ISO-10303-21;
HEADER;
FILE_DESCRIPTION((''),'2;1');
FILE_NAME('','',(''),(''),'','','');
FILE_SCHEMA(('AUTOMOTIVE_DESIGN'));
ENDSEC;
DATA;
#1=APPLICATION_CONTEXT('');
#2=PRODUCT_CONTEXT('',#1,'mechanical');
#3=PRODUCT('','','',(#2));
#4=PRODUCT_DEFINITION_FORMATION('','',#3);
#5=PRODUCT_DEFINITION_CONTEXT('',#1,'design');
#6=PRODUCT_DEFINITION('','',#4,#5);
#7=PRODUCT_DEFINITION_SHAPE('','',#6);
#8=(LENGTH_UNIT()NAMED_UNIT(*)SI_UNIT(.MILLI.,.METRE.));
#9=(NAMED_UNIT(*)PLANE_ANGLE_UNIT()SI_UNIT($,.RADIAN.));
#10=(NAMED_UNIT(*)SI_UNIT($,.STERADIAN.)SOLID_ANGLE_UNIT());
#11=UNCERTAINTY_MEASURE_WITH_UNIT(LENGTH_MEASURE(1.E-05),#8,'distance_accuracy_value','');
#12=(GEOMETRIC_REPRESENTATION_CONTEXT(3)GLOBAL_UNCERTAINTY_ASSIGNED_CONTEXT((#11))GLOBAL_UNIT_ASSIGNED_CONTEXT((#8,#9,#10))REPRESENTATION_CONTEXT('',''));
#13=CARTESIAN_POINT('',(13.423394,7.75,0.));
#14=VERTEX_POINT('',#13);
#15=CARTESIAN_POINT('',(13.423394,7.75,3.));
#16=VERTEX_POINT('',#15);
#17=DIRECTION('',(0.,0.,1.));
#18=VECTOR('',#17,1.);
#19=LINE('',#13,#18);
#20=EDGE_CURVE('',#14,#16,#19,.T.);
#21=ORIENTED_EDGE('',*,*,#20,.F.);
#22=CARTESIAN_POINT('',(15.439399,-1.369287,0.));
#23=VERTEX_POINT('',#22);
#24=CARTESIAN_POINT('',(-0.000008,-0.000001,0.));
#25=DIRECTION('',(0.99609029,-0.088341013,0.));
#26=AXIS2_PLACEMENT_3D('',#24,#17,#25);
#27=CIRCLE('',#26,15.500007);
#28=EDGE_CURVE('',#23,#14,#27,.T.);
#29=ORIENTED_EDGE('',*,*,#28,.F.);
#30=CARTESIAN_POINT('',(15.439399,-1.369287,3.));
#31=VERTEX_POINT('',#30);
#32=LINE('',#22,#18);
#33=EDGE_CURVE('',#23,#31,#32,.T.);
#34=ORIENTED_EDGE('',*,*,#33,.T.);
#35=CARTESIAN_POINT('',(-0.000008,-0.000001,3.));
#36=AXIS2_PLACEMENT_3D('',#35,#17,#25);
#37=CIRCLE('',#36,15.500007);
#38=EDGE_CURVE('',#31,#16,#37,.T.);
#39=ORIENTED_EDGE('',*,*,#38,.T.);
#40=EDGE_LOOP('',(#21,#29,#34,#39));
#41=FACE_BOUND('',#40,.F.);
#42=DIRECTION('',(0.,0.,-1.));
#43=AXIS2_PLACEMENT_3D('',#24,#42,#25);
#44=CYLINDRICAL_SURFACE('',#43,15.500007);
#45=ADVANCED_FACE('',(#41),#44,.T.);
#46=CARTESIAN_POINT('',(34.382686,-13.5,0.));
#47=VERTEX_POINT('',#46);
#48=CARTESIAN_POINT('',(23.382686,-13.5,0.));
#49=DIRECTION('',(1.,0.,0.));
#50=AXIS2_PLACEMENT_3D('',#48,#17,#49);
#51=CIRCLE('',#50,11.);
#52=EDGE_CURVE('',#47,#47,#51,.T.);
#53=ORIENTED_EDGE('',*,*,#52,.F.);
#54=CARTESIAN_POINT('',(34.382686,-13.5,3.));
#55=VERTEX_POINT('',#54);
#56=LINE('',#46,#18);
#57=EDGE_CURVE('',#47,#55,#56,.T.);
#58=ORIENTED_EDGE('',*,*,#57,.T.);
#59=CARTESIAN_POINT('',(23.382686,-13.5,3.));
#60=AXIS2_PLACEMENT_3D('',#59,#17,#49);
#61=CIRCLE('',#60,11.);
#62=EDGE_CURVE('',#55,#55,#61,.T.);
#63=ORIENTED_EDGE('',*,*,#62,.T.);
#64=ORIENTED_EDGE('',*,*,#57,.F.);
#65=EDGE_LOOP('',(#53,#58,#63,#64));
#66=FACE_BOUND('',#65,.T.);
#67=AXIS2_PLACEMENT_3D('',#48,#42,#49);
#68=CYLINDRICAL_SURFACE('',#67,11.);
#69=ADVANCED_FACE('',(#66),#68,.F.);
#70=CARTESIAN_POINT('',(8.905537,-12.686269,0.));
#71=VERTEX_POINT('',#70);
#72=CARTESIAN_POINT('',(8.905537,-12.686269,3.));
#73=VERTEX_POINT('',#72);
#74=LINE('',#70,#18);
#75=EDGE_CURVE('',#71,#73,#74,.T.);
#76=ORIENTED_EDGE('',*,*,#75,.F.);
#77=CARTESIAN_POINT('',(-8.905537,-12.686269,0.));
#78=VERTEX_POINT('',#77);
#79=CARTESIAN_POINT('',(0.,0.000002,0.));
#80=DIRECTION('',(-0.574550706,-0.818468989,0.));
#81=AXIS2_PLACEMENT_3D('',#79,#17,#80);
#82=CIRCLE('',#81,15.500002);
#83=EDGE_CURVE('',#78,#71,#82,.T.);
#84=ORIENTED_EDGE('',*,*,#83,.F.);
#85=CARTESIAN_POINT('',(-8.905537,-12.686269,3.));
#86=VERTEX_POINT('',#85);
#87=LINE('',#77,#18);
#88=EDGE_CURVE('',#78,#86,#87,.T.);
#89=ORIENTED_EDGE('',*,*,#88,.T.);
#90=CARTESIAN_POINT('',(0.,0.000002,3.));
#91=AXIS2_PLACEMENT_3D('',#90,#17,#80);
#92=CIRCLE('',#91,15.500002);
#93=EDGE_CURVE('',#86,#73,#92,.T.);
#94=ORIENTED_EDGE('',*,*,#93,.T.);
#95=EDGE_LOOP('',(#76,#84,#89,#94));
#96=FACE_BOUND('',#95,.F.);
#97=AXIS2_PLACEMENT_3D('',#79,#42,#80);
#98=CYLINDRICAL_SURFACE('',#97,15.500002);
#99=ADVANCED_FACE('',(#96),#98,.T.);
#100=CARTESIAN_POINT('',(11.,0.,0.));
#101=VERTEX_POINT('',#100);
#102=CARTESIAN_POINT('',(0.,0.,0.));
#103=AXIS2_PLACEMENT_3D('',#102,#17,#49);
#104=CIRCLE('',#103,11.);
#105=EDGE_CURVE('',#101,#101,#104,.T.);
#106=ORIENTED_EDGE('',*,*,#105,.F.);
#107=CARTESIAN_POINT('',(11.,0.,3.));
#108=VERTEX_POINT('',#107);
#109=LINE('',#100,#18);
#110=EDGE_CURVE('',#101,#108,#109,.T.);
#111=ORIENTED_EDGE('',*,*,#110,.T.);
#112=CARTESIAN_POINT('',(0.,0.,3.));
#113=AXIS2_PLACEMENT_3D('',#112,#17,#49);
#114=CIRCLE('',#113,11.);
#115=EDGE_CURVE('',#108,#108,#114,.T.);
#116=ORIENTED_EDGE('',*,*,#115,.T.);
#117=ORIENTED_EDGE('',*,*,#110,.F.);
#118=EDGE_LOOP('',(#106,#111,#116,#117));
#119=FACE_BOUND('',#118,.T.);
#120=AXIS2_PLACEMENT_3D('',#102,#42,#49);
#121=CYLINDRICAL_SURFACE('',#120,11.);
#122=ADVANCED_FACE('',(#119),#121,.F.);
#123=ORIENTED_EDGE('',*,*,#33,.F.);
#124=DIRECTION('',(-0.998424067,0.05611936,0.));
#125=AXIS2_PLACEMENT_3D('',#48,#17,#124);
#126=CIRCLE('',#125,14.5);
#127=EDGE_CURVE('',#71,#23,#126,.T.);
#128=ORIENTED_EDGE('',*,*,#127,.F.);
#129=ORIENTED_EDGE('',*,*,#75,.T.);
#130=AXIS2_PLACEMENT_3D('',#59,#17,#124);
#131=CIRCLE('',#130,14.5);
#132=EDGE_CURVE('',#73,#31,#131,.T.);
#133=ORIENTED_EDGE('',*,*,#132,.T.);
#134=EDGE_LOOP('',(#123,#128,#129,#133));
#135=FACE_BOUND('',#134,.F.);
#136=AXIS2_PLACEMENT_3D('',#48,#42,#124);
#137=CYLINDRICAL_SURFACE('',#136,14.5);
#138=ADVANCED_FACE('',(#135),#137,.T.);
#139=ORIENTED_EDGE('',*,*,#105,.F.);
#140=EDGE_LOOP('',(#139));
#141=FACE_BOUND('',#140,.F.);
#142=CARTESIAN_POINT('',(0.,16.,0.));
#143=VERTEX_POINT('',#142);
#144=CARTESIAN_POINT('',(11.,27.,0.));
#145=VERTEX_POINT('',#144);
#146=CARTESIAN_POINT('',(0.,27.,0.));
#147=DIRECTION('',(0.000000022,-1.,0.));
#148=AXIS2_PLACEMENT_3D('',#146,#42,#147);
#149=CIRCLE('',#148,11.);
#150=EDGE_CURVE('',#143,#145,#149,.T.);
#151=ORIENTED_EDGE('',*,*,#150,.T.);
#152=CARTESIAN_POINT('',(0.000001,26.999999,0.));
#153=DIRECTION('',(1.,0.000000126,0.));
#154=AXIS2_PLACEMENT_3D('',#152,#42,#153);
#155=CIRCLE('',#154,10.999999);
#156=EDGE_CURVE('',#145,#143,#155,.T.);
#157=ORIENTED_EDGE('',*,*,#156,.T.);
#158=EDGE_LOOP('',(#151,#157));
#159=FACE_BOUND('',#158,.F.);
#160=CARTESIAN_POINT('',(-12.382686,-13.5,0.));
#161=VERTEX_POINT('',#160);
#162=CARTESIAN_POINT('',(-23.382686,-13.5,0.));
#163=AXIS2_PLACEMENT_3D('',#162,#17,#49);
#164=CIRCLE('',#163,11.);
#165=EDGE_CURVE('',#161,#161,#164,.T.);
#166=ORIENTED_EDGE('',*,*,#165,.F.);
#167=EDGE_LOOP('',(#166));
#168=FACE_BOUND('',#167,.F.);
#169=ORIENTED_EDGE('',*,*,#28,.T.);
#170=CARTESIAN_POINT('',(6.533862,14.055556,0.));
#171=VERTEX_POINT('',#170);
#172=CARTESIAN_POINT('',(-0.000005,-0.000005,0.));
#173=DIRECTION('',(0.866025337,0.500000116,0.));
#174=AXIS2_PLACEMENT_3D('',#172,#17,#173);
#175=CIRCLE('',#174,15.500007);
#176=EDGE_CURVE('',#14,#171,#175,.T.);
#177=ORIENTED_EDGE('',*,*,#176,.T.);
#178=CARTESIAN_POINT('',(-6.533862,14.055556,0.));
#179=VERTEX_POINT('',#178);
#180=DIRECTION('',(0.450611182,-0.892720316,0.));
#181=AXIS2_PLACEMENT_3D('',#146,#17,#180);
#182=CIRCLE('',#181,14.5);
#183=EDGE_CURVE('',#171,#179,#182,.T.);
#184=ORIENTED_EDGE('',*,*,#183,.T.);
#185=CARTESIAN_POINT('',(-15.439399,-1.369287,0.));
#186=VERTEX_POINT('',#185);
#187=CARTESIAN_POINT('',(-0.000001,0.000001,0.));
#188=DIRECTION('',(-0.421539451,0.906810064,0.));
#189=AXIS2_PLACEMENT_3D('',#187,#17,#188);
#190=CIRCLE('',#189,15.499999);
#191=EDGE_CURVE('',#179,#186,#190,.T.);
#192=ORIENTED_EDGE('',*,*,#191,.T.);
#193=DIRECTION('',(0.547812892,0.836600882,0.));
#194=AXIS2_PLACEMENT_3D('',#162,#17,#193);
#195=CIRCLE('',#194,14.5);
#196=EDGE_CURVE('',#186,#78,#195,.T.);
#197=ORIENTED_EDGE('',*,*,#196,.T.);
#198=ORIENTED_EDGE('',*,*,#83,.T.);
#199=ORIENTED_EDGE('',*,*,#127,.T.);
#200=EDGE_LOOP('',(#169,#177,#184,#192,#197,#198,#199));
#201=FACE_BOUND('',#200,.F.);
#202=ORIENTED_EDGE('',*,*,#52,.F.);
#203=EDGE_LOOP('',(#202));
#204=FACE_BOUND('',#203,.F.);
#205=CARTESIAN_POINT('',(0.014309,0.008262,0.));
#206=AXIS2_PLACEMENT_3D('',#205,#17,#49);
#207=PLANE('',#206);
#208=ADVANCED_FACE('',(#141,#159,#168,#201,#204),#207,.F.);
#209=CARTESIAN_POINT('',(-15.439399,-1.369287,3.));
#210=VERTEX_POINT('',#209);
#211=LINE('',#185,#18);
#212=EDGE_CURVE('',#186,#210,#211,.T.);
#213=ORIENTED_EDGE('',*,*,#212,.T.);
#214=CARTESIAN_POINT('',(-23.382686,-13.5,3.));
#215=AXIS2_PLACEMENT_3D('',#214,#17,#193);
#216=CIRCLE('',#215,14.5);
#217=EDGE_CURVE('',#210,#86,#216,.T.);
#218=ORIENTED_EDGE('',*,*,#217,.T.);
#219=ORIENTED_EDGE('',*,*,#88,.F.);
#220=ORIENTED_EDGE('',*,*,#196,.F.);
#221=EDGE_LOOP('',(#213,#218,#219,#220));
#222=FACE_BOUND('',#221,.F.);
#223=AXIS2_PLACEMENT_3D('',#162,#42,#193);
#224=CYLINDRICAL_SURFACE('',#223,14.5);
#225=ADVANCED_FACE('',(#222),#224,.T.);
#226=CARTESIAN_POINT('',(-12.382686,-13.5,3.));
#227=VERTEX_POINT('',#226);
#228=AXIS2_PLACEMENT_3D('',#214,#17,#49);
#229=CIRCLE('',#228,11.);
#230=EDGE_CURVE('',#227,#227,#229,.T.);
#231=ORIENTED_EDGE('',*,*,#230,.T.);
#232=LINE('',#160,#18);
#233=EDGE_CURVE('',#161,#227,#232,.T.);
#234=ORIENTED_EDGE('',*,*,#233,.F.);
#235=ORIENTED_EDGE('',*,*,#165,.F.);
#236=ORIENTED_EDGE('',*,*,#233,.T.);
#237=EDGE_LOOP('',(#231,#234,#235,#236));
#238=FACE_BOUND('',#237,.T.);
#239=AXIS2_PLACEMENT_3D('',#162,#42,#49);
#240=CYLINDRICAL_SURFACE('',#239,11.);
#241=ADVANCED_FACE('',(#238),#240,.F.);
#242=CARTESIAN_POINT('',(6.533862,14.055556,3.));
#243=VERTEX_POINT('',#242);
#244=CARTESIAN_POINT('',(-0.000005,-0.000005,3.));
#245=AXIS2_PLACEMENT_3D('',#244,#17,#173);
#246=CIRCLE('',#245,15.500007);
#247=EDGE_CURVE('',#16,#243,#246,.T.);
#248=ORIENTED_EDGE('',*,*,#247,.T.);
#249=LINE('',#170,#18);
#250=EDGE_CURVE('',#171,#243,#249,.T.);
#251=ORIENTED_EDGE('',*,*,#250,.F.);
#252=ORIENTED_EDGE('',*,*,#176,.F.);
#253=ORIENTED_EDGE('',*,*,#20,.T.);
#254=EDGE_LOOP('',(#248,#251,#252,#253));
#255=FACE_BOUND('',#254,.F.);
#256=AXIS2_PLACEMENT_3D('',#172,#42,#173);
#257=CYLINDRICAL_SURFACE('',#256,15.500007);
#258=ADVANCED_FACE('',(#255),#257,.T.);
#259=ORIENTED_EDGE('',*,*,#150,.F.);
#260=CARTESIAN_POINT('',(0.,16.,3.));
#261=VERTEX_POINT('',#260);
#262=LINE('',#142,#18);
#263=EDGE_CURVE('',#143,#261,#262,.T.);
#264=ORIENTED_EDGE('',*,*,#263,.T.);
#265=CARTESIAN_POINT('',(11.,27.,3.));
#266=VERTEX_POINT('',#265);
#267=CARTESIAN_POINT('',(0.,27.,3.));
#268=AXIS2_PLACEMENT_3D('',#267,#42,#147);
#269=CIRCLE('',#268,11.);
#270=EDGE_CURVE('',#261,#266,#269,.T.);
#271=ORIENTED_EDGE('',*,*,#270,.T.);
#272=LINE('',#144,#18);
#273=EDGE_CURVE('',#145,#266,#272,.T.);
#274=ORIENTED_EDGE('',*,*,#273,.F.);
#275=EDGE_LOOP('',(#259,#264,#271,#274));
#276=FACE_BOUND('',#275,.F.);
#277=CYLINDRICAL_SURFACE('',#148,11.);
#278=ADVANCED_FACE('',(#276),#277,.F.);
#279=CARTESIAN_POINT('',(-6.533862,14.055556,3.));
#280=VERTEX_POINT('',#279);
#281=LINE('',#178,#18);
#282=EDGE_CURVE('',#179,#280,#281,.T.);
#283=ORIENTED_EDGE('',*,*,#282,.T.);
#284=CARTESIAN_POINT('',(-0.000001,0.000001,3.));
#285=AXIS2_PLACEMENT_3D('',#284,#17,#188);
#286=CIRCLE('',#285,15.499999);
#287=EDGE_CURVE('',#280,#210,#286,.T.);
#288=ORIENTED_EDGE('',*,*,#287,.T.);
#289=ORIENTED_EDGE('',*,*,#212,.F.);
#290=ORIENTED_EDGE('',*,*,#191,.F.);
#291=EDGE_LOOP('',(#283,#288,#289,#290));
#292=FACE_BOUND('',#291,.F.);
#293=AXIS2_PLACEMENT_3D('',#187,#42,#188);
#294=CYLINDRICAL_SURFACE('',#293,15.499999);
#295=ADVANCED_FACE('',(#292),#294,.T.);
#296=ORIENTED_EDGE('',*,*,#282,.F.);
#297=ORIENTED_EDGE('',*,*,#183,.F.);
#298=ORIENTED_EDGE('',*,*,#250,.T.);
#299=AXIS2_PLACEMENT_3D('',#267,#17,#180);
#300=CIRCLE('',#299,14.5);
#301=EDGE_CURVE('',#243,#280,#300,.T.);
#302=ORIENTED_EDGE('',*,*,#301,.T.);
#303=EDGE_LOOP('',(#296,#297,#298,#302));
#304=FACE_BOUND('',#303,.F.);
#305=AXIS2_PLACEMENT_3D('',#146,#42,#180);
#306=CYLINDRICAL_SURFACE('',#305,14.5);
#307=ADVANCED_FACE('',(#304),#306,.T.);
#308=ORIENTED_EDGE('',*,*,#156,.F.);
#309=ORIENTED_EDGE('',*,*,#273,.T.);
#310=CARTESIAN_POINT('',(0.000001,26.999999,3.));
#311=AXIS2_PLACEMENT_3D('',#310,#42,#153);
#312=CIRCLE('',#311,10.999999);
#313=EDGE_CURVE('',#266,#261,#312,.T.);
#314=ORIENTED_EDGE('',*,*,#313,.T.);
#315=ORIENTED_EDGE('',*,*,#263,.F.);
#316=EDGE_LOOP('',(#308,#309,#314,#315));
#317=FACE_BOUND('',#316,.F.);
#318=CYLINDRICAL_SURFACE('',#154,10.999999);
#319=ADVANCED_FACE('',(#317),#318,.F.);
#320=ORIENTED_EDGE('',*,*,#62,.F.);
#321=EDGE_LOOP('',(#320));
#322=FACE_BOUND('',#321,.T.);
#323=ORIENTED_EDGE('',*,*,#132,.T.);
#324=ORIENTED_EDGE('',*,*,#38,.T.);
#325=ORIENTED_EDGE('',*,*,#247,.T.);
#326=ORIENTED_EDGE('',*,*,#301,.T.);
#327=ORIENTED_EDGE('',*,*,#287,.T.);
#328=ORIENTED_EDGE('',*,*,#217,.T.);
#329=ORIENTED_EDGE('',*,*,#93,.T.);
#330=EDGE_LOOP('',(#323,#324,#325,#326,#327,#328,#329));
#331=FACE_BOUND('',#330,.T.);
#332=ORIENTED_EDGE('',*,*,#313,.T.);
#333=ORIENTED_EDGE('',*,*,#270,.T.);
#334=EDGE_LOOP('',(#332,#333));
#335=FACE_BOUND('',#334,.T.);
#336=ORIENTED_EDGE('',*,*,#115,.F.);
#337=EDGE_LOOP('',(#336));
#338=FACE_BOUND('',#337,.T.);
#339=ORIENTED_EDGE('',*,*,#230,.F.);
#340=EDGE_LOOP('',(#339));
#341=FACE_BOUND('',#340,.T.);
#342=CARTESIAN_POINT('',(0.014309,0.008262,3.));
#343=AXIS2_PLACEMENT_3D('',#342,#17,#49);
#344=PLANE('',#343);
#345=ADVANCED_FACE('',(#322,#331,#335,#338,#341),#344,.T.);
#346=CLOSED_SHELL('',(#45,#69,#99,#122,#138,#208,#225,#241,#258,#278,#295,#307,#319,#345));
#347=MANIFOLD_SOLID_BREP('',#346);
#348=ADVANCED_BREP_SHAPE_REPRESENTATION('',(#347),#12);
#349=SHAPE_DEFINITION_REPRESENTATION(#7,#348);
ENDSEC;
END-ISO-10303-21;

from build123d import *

# Parameters (mm, degrees)
F0_R     = 11
F1_DEPTH = 3


with BuildPart() as f1:
    # F0 (on Top) → F1 (new body)
    with BuildSketch(Plane.XY):
        with BuildLine():
            ThreePointArc((6.533862, 14.055556), (0, 41.5), (-6.533862, 14.055556))
            ThreePointArc((-6.533862, 14.055556), (-13.423394, 7.75), (-15.439399, -1.369287))
            ThreePointArc((-15.439399, -1.369287), (-35.940054, -20.75), (-8.905537, -12.686269))
            ThreePointArc((-8.905537, -12.686269), (0, -15.5), (8.905537, -12.686269))
            ThreePointArc((8.905537, -12.686269), (35.940054, -20.75), (15.439399, -1.369287))
            ThreePointArc((15.439399, -1.369287), (15.134581, 3.34581), (13.423394, 7.75))
            ThreePointArc((13.423394, 7.75), (10.464847, 11.434027), (6.533862, 14.055556))
        make_face()
        with Locations((-23.382686, -13.5)):
            Circle(F0_R, mode=Mode.SUBTRACT)
        with Locations((23.382686, -13.5)):
            Circle(F0_R, mode=Mode.SUBTRACT)
        Circle(F0_R, mode=Mode.SUBTRACT)
        with BuildLine():
            ThreePointArc((0, 16), (-7.778175, 34.778175), (11, 27))
            ThreePointArc((11, 27), (7.778175, 19.221825), (0, 16))
        make_face(mode=Mode.SUBTRACT)
    extrude(amount=F1_DEPTH)


solid = f1.part
